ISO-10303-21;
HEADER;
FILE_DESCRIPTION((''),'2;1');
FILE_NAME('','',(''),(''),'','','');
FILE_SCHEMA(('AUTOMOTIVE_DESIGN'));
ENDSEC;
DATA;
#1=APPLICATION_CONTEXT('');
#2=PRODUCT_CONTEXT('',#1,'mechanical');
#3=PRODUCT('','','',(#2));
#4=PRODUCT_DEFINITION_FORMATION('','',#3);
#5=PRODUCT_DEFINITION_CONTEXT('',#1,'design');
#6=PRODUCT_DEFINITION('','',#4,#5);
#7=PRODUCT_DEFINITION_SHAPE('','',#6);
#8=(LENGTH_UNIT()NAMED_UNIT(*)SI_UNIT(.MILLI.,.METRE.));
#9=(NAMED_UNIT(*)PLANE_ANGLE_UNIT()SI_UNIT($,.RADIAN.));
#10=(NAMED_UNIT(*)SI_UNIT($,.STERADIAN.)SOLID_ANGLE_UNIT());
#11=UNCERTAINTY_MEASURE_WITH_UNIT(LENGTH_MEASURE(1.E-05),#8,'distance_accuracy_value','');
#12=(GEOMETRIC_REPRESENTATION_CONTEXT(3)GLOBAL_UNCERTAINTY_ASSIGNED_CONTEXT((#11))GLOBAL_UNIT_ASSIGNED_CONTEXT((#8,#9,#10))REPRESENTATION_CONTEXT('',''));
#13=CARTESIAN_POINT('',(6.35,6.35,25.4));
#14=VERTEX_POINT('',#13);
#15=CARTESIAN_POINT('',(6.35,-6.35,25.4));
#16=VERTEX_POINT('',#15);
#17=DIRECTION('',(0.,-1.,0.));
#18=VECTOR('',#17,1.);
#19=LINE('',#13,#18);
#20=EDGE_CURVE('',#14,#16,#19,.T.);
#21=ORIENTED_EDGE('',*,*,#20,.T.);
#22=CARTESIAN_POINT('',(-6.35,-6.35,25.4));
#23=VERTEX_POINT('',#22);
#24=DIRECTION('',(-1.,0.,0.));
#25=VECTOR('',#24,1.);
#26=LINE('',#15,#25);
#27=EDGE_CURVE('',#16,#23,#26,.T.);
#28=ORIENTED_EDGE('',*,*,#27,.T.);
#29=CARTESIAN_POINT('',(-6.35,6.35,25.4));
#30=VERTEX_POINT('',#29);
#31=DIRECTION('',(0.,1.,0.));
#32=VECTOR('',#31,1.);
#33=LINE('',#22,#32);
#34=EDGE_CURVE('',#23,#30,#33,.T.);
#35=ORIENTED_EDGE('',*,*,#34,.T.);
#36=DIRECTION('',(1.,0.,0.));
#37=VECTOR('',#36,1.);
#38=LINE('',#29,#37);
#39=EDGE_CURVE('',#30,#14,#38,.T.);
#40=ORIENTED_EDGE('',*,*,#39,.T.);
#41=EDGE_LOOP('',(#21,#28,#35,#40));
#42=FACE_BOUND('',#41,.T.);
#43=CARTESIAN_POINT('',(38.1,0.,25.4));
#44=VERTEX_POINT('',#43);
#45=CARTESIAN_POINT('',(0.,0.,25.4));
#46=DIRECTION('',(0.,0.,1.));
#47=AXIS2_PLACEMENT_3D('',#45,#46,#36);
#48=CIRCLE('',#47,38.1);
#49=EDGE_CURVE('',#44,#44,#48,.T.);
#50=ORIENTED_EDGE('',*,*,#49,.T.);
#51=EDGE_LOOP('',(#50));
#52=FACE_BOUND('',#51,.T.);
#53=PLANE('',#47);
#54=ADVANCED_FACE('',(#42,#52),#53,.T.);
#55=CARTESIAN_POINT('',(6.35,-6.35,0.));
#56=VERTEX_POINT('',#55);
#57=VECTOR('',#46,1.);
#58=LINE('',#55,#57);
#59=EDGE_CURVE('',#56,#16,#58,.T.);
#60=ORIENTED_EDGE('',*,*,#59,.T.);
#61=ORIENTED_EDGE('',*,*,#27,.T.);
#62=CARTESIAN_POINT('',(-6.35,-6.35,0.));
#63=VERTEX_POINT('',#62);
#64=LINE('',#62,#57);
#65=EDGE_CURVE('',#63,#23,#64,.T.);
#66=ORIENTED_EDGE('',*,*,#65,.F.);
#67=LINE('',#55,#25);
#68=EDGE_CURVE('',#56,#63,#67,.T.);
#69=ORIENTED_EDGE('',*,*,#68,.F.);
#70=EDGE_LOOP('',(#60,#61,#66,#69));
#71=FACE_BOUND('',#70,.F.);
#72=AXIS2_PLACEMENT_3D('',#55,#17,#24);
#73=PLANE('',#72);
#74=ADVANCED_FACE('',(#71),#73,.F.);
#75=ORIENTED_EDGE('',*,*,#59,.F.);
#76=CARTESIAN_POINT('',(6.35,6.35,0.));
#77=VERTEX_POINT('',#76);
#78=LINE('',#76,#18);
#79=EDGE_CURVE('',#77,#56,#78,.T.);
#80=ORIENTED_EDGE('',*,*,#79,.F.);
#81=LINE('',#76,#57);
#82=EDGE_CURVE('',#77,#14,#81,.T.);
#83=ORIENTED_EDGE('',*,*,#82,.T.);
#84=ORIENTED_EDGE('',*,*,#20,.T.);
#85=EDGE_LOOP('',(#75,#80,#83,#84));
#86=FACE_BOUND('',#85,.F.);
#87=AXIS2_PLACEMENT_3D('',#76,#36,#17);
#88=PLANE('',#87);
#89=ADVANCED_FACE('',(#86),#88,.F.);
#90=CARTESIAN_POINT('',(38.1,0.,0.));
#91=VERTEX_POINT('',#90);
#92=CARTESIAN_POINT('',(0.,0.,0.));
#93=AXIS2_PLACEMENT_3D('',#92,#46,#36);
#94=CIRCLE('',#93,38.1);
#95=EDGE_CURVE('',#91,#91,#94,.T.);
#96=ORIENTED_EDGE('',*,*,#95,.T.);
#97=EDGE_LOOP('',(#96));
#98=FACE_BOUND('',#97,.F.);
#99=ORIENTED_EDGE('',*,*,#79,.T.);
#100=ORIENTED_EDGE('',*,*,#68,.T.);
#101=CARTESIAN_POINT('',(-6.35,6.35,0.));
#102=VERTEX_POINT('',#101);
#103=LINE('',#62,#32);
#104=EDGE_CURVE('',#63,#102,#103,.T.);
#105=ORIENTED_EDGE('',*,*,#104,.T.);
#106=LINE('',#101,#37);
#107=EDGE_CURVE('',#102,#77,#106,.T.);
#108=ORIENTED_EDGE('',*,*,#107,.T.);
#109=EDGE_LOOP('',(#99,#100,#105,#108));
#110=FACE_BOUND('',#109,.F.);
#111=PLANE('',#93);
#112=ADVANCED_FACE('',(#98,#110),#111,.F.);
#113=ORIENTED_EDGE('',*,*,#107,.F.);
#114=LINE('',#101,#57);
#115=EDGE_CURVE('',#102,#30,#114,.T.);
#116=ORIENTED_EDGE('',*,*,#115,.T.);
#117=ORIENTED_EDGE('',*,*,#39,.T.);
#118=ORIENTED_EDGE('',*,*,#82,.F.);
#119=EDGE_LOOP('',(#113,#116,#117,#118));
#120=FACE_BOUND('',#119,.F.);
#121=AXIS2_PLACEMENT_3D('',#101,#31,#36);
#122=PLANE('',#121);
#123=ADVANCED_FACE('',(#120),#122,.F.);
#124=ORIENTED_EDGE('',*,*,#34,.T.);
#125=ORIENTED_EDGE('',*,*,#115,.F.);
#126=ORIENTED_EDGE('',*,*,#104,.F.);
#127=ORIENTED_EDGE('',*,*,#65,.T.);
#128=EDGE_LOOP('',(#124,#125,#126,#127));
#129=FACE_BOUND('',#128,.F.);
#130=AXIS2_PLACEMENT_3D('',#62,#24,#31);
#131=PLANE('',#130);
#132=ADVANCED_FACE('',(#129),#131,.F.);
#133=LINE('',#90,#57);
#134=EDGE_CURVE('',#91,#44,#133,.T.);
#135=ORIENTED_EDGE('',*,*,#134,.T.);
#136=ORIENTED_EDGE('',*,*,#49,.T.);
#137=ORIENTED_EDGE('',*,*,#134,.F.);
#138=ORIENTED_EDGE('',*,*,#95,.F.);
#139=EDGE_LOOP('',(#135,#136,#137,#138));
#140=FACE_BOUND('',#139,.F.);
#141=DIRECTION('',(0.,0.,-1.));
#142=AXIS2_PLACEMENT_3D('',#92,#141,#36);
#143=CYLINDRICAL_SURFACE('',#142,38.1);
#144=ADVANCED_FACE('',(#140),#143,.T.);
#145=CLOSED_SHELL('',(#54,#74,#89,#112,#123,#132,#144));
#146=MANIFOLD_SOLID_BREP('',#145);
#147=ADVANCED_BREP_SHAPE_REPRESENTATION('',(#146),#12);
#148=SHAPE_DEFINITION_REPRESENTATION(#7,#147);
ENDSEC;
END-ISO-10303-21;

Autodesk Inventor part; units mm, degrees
ref_plane "YZ Plane" through (0, 0, 0) normal (1, 0, 0) x (0, 1, 0)
ref_plane "XZ Plane" through (0, 0, 0) normal (0, 1, 0) x (-1, 0, 0)
ref_plane "XY Plane" through (0, 0, 0) normal (0, 0, 1) x (1, 0, 0)
sketch "Sketch1" plane through (0, 0, 0) normal (0, 0, 1) x (1, 0, 0)
  circle A0 centre (0, 0) radius 38.1
  line L0 (-6.35, 6.35) -> (6.35, 6.35)
  line L1 (6.35, 6.35) -> (6.35, -6.35)
  line L2 (6.35, -6.35) -> (-6.35, -6.35)
  line L3 (-6.35, -6.35) -> (-6.35, 6.35)
  dimension "d0" = 76.2
  dimension "d1" = 12.7
  dimension "d2" = 12.7
  dimension "d3" = 6.35
  dimension "d4" = 6.35
extrude "Extrusion1" add sketch "Sketch1" along normal blind 25.4
properties part number "Random Compliance Wheel"
